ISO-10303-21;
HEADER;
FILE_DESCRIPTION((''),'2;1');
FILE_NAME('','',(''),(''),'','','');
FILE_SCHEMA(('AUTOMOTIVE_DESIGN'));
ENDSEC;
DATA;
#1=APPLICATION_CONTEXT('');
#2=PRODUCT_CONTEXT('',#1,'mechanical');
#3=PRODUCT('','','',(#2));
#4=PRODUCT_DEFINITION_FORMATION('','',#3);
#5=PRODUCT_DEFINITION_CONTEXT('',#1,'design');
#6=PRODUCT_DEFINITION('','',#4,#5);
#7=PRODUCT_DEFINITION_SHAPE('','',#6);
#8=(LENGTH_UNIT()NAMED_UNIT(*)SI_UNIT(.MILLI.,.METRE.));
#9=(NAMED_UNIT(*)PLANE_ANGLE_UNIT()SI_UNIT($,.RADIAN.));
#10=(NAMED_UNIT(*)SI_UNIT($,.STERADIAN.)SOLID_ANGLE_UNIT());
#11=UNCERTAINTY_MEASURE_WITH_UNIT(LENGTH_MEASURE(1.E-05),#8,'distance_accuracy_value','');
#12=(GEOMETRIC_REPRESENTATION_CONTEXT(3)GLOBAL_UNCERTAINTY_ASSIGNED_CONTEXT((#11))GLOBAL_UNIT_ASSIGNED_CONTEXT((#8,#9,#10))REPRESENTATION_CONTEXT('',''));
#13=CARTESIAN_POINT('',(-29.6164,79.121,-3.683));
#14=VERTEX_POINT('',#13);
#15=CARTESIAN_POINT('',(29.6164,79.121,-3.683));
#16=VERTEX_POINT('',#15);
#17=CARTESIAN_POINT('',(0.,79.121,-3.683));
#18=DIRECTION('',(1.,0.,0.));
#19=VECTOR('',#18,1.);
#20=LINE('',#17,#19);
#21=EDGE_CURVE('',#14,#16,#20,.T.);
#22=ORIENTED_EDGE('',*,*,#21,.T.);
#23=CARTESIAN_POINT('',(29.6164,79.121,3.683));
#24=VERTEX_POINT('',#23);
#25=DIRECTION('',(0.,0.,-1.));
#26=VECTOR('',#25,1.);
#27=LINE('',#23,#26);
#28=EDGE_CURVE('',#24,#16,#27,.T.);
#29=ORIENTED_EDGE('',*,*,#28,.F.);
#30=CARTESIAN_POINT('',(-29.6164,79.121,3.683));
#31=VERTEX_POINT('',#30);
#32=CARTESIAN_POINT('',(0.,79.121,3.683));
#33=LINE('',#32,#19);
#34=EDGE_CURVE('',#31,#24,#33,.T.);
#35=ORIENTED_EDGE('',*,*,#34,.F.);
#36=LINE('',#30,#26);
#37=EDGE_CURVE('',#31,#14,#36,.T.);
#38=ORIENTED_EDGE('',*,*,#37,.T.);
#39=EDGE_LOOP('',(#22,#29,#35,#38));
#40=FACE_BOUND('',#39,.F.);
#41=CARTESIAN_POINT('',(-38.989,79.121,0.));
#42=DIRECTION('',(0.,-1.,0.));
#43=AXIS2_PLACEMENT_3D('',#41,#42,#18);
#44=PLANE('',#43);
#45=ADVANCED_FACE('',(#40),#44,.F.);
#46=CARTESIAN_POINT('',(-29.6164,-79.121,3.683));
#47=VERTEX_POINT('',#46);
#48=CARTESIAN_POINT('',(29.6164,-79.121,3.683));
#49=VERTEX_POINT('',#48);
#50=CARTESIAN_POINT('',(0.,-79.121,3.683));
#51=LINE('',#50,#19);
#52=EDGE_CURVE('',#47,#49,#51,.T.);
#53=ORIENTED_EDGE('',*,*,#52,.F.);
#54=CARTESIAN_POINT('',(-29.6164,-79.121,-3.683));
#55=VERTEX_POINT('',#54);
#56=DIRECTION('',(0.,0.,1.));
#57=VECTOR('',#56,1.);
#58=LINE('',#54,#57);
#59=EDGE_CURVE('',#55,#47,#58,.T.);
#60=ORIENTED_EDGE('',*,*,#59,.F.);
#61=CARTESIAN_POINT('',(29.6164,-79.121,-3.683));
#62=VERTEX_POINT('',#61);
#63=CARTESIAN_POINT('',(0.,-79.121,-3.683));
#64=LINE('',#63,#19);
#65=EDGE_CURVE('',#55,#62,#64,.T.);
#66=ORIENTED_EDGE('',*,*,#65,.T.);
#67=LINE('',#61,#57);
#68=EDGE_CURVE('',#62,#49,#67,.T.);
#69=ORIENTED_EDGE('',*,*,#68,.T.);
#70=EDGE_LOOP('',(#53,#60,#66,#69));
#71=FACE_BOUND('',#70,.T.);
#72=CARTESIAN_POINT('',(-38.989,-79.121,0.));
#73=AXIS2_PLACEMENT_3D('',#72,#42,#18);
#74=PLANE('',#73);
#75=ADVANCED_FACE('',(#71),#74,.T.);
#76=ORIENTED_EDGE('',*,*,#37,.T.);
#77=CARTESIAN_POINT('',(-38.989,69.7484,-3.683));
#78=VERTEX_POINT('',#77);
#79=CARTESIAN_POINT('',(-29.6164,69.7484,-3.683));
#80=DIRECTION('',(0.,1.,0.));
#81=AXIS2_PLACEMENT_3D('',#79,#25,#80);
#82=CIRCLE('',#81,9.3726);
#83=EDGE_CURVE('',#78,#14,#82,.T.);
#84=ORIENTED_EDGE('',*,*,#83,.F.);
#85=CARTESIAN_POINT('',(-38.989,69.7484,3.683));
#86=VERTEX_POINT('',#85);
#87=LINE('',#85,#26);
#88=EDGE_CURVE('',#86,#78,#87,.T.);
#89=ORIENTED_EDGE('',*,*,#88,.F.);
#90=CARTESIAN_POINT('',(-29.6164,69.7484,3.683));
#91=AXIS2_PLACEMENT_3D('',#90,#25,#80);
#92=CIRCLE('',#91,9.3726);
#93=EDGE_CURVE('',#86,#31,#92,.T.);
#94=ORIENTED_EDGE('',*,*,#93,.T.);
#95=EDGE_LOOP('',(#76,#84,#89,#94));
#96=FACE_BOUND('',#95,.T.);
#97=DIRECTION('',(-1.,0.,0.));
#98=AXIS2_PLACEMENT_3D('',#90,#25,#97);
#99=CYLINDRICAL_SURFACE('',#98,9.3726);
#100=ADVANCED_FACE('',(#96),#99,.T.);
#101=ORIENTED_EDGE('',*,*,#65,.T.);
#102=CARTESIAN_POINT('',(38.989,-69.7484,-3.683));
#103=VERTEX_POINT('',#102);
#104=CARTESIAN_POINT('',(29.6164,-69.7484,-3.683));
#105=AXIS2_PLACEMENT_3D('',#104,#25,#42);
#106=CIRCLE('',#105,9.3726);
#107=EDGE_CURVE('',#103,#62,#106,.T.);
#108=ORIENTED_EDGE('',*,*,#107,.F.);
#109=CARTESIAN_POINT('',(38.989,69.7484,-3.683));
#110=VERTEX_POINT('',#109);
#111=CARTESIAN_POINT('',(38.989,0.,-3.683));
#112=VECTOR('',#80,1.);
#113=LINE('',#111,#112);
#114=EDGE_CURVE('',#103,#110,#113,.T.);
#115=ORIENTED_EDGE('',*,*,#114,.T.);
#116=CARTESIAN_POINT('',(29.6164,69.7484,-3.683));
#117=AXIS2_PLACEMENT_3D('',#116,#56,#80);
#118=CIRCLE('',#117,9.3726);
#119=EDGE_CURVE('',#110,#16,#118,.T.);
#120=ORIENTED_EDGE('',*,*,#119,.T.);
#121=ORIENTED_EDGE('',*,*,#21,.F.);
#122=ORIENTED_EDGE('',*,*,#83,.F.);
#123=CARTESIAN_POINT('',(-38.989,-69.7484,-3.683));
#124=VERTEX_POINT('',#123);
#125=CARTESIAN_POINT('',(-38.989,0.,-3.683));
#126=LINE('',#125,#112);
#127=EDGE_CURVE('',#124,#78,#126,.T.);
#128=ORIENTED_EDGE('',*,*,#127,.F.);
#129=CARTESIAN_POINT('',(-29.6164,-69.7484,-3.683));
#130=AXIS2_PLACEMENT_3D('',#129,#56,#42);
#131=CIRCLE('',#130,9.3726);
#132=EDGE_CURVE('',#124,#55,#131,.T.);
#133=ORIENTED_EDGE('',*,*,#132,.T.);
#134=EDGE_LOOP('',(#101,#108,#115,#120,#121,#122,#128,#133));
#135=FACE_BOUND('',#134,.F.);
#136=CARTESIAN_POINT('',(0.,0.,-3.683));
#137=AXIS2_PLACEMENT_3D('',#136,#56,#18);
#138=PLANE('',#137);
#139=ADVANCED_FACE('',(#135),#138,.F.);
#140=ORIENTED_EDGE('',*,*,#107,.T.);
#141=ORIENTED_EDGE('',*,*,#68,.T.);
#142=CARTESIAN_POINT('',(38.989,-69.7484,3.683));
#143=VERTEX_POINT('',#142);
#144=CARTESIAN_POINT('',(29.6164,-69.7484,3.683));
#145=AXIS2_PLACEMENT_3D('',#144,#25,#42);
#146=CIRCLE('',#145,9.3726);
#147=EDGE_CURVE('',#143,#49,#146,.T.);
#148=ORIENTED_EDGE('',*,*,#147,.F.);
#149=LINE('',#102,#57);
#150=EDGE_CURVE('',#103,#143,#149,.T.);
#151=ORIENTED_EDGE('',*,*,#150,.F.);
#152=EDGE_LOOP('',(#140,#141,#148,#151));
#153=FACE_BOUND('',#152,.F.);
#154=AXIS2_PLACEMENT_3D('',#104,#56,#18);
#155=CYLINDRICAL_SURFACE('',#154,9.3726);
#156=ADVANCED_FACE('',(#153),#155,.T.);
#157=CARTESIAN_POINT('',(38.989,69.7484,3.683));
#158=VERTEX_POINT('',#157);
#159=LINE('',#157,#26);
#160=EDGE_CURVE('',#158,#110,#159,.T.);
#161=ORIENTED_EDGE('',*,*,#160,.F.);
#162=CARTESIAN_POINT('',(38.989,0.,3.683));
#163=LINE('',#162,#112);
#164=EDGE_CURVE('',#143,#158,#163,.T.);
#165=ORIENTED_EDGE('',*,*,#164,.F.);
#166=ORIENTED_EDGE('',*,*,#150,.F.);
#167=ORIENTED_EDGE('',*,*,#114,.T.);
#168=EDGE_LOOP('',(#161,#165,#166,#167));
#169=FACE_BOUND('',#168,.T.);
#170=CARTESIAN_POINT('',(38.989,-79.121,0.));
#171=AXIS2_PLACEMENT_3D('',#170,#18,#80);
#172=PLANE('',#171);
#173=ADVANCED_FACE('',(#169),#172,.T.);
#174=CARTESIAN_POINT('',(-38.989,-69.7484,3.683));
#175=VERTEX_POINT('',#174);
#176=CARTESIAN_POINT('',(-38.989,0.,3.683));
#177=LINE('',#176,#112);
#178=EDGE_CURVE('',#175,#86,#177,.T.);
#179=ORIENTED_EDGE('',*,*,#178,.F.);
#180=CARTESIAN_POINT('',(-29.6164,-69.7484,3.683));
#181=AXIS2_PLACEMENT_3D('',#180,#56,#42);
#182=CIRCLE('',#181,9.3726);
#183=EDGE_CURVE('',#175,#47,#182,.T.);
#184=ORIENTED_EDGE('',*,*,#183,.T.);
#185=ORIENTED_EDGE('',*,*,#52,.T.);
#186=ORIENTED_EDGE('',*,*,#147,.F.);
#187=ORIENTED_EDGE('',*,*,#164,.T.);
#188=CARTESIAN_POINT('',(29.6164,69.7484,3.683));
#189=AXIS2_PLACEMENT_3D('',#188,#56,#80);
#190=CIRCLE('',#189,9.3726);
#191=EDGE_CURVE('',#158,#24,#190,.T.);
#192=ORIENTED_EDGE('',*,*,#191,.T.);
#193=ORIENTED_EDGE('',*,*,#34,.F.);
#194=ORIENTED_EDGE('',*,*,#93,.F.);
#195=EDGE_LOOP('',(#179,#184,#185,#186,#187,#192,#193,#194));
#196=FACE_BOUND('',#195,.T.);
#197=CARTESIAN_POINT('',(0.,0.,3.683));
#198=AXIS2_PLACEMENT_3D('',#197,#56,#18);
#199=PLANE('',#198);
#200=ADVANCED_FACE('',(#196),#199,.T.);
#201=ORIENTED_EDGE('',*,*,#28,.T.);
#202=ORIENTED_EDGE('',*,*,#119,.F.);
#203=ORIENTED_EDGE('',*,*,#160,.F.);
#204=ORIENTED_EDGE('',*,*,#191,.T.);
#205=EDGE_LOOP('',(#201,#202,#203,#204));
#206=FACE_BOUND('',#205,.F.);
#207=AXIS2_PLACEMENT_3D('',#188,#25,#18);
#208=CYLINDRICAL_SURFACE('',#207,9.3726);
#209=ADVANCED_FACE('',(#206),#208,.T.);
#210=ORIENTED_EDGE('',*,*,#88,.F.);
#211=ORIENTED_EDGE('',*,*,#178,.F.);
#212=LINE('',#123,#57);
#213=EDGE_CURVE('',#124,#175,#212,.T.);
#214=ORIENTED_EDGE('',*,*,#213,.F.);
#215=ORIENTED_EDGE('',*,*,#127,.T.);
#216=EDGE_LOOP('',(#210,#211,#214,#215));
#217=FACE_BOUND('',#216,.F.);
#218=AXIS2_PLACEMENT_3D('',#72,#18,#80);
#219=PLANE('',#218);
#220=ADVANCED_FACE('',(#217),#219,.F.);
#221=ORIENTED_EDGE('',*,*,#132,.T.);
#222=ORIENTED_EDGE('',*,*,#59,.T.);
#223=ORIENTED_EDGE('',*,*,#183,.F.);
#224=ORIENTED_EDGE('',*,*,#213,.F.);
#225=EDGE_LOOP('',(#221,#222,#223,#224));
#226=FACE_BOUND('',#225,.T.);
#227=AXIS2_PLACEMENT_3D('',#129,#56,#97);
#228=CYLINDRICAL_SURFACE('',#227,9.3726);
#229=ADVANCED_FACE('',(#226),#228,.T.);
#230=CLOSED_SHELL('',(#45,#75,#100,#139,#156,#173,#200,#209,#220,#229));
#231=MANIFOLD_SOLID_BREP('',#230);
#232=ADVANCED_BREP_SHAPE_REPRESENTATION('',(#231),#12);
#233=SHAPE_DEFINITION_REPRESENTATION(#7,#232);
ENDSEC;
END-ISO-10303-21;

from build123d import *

# Parameters (mm, degrees)
F0_W     = 77.978
F0_H     = 158.242
F1_DEPTH = 3.683
F2_R     = 9.3726


with BuildPart() as f1:
    # F0 (on Top) → F1 (new body, symmetric)
    with BuildSketch(Plane.XY):
        Rectangle(F0_W, F0_H)
    extrude(amount=F1_DEPTH, both=True)

    # F2
    f2_edges = [f1.edges().sort_by_distance(p)[0] for p in [
        (-38.989, 79.121, 0),
        (38.989, 79.121, 0),
        (38.989, -79.121, 0),
        (-38.989, -79.121, 0),
    ]]
    fillet(f2_edges, radius=F2_R)


solid = f1.part
